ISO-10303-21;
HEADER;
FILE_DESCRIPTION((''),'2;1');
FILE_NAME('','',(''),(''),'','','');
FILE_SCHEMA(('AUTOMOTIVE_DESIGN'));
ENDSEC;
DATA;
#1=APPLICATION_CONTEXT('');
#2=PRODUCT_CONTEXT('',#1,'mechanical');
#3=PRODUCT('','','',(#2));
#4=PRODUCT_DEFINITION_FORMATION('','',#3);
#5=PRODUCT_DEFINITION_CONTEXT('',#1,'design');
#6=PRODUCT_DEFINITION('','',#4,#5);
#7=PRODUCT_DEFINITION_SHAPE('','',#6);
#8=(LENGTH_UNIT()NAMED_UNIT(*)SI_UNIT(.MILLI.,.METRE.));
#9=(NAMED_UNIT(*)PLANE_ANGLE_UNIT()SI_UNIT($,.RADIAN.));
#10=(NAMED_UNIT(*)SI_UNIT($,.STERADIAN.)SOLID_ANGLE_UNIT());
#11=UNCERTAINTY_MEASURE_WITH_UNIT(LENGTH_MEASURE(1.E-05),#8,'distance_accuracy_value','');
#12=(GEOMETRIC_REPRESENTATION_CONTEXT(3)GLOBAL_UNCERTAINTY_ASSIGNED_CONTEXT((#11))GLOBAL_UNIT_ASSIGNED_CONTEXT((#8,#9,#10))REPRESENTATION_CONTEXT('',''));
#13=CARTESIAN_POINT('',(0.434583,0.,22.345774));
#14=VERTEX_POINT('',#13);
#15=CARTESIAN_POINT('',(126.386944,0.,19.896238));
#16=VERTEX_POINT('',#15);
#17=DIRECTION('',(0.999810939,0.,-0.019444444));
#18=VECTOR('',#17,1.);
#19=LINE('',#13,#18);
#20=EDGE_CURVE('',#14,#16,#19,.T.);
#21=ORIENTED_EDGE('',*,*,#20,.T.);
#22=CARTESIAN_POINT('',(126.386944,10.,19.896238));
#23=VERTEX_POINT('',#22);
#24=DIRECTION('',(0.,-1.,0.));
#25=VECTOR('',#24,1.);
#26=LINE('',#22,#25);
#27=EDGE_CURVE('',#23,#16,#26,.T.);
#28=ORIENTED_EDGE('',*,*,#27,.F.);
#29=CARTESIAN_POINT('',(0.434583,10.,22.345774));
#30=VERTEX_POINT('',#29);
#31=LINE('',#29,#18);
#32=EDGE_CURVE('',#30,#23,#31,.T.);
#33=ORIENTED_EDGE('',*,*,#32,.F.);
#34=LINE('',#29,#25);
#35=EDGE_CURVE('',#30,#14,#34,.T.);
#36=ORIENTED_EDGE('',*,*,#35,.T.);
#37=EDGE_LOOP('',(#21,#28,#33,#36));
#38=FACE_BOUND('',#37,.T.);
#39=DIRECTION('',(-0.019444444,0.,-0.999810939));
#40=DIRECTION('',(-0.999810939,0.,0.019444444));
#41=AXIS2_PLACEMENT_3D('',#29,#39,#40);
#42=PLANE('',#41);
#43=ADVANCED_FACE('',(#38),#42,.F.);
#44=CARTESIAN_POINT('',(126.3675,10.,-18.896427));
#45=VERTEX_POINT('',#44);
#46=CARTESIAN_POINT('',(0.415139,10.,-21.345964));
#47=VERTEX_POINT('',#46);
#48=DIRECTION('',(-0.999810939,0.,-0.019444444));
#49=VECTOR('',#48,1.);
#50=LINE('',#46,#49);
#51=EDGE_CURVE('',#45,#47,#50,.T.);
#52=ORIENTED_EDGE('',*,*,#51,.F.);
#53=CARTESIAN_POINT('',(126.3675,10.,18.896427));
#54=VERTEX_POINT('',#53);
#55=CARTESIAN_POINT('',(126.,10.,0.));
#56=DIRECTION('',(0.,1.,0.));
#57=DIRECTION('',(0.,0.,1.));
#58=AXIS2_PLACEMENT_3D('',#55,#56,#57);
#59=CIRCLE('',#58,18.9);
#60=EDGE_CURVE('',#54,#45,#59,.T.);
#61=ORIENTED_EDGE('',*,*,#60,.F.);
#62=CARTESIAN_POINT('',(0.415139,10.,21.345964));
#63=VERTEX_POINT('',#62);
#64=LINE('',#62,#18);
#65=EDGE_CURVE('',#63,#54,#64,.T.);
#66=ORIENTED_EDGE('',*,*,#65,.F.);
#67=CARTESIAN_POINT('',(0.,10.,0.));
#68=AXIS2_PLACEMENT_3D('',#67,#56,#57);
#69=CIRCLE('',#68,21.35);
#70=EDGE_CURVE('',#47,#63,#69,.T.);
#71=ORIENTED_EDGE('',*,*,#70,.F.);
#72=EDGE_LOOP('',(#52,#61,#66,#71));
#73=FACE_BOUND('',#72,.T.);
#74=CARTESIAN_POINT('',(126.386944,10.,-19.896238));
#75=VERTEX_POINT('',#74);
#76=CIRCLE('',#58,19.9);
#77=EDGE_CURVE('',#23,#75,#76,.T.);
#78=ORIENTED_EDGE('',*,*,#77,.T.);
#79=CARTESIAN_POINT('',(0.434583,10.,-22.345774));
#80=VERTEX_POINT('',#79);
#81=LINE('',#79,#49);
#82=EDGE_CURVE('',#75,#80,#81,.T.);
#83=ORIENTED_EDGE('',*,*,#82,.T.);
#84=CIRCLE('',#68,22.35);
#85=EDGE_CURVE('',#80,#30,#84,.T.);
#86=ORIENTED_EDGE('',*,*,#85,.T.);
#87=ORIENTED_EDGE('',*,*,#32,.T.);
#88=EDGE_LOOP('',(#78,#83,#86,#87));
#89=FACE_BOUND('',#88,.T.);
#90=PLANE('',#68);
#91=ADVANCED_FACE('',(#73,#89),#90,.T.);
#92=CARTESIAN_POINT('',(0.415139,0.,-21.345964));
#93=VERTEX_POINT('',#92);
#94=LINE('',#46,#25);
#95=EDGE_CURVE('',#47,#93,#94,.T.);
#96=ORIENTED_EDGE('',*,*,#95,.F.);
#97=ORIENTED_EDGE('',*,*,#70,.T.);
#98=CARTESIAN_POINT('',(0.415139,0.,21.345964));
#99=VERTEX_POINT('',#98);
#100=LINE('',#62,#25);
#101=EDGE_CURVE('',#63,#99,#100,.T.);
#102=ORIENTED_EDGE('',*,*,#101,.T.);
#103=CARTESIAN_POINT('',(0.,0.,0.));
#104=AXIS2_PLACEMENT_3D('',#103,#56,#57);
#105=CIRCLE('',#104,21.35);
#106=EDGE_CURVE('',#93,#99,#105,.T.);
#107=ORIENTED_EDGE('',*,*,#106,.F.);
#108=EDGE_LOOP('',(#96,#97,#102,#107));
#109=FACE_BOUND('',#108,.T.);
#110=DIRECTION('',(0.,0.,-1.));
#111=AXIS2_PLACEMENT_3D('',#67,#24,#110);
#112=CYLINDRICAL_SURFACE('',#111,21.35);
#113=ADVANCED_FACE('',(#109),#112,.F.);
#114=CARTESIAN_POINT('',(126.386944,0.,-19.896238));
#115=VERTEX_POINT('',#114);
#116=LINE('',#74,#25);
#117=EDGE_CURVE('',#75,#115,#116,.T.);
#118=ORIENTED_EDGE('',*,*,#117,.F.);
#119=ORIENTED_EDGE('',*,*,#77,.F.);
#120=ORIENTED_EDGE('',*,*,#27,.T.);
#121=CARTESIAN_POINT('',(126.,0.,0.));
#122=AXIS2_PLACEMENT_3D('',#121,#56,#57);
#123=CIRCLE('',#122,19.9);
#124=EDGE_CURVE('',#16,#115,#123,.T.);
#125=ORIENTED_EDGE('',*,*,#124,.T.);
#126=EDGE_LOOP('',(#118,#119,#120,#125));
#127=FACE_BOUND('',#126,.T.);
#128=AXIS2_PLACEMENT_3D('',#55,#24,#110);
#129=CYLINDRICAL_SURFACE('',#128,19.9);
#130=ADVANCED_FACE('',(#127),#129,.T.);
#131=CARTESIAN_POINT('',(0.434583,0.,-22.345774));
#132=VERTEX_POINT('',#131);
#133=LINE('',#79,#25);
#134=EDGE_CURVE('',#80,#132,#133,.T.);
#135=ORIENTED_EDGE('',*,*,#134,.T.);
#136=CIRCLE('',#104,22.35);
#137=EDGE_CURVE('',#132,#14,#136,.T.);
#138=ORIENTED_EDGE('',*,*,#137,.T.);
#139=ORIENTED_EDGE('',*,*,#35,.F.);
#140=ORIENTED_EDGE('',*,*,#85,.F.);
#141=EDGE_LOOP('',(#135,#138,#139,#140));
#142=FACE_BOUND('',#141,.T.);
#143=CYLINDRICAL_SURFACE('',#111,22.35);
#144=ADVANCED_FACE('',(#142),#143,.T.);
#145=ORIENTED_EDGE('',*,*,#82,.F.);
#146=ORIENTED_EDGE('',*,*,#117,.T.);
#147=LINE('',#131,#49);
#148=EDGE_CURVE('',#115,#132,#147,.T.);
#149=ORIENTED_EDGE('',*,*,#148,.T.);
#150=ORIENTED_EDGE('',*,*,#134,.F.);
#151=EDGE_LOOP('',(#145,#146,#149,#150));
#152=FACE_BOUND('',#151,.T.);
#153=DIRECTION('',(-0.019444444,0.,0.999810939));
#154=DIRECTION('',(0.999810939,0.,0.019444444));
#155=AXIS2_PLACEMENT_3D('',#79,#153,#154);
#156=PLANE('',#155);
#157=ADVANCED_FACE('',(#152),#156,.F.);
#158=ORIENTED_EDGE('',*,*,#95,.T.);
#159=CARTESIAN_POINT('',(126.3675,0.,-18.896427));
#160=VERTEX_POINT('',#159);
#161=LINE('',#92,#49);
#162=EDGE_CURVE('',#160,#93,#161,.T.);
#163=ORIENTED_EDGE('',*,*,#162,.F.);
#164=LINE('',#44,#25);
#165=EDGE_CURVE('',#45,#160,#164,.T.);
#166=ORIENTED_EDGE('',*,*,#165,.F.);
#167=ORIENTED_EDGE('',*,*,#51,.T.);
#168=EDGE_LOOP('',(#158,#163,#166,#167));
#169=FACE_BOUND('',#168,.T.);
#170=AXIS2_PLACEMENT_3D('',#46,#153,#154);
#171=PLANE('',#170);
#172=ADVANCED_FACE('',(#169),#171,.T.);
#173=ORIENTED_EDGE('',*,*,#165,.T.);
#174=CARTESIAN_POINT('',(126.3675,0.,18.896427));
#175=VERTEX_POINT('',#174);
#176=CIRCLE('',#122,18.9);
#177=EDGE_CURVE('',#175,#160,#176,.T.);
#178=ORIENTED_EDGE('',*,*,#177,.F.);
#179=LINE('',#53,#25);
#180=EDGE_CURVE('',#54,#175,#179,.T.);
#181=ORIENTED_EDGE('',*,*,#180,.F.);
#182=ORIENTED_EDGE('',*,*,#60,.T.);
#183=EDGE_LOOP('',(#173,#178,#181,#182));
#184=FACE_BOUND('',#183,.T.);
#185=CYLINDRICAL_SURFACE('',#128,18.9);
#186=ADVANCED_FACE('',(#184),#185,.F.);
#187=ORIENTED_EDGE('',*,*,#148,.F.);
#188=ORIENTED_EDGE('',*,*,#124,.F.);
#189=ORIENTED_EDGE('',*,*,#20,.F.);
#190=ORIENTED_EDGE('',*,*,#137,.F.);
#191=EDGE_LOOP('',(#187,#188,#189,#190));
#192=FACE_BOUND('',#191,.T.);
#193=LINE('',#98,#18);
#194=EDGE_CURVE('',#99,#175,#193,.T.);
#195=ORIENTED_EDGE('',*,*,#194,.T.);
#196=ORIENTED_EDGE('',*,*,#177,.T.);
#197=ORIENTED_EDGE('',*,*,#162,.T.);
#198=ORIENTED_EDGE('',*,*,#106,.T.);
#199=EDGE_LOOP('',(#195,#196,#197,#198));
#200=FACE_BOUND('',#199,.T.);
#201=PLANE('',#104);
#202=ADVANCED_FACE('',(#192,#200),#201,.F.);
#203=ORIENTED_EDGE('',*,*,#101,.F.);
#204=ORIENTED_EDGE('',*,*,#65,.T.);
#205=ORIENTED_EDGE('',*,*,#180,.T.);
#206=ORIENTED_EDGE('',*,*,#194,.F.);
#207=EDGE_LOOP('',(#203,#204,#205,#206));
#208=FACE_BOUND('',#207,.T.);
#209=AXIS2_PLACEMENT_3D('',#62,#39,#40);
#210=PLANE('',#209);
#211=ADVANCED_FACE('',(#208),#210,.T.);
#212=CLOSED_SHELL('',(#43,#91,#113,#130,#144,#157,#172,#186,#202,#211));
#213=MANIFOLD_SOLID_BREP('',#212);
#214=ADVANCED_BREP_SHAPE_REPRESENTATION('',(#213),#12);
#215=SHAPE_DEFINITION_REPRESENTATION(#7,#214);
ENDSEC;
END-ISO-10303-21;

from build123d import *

# Parameters (mm, degrees)
BOSS_EXTRUDE1_DEPTH = 10


with BuildPart() as part:
    # Sketch1 → Boss-Extrude1 (new body)
    with BuildSketch(Plane(origin=(0, 0, 0), x_dir=(1, 0, 0), z_dir=(0, 1, 0))):
        with BuildLine():
            Line((0.434583333, 22.345774485), (126.386944444, 19.896237684))
            ThreePointArc((126.386944444, 19.896237684), (145.9, 0), (126.386944444, -19.896237684))
            Line((126.386944444, -19.896237684), (0.434583333, -22.345774485))
            ThreePointArc((0.434583333, -22.345774485), (-22.35, 0), (0.434583333, 22.345774485))
        make_face()
        with BuildLine():
            Line((0.415138889, 21.345963546), (126.3675, 18.896426746))
            ThreePointArc((126.3675, 18.896426746), (144.9, 0), (126.3675, -18.896426746))
            Line((126.3675, -18.896426746), (0.415138889, -21.345963546))
            ThreePointArc((0.415138889, -21.345963546), (-21.35, 0), (0.415138889, 21.345963546))
        make_face(mode=Mode.SUBTRACT)
    extrude(amount=BOSS_EXTRUDE1_DEPTH)


solid = part.part
